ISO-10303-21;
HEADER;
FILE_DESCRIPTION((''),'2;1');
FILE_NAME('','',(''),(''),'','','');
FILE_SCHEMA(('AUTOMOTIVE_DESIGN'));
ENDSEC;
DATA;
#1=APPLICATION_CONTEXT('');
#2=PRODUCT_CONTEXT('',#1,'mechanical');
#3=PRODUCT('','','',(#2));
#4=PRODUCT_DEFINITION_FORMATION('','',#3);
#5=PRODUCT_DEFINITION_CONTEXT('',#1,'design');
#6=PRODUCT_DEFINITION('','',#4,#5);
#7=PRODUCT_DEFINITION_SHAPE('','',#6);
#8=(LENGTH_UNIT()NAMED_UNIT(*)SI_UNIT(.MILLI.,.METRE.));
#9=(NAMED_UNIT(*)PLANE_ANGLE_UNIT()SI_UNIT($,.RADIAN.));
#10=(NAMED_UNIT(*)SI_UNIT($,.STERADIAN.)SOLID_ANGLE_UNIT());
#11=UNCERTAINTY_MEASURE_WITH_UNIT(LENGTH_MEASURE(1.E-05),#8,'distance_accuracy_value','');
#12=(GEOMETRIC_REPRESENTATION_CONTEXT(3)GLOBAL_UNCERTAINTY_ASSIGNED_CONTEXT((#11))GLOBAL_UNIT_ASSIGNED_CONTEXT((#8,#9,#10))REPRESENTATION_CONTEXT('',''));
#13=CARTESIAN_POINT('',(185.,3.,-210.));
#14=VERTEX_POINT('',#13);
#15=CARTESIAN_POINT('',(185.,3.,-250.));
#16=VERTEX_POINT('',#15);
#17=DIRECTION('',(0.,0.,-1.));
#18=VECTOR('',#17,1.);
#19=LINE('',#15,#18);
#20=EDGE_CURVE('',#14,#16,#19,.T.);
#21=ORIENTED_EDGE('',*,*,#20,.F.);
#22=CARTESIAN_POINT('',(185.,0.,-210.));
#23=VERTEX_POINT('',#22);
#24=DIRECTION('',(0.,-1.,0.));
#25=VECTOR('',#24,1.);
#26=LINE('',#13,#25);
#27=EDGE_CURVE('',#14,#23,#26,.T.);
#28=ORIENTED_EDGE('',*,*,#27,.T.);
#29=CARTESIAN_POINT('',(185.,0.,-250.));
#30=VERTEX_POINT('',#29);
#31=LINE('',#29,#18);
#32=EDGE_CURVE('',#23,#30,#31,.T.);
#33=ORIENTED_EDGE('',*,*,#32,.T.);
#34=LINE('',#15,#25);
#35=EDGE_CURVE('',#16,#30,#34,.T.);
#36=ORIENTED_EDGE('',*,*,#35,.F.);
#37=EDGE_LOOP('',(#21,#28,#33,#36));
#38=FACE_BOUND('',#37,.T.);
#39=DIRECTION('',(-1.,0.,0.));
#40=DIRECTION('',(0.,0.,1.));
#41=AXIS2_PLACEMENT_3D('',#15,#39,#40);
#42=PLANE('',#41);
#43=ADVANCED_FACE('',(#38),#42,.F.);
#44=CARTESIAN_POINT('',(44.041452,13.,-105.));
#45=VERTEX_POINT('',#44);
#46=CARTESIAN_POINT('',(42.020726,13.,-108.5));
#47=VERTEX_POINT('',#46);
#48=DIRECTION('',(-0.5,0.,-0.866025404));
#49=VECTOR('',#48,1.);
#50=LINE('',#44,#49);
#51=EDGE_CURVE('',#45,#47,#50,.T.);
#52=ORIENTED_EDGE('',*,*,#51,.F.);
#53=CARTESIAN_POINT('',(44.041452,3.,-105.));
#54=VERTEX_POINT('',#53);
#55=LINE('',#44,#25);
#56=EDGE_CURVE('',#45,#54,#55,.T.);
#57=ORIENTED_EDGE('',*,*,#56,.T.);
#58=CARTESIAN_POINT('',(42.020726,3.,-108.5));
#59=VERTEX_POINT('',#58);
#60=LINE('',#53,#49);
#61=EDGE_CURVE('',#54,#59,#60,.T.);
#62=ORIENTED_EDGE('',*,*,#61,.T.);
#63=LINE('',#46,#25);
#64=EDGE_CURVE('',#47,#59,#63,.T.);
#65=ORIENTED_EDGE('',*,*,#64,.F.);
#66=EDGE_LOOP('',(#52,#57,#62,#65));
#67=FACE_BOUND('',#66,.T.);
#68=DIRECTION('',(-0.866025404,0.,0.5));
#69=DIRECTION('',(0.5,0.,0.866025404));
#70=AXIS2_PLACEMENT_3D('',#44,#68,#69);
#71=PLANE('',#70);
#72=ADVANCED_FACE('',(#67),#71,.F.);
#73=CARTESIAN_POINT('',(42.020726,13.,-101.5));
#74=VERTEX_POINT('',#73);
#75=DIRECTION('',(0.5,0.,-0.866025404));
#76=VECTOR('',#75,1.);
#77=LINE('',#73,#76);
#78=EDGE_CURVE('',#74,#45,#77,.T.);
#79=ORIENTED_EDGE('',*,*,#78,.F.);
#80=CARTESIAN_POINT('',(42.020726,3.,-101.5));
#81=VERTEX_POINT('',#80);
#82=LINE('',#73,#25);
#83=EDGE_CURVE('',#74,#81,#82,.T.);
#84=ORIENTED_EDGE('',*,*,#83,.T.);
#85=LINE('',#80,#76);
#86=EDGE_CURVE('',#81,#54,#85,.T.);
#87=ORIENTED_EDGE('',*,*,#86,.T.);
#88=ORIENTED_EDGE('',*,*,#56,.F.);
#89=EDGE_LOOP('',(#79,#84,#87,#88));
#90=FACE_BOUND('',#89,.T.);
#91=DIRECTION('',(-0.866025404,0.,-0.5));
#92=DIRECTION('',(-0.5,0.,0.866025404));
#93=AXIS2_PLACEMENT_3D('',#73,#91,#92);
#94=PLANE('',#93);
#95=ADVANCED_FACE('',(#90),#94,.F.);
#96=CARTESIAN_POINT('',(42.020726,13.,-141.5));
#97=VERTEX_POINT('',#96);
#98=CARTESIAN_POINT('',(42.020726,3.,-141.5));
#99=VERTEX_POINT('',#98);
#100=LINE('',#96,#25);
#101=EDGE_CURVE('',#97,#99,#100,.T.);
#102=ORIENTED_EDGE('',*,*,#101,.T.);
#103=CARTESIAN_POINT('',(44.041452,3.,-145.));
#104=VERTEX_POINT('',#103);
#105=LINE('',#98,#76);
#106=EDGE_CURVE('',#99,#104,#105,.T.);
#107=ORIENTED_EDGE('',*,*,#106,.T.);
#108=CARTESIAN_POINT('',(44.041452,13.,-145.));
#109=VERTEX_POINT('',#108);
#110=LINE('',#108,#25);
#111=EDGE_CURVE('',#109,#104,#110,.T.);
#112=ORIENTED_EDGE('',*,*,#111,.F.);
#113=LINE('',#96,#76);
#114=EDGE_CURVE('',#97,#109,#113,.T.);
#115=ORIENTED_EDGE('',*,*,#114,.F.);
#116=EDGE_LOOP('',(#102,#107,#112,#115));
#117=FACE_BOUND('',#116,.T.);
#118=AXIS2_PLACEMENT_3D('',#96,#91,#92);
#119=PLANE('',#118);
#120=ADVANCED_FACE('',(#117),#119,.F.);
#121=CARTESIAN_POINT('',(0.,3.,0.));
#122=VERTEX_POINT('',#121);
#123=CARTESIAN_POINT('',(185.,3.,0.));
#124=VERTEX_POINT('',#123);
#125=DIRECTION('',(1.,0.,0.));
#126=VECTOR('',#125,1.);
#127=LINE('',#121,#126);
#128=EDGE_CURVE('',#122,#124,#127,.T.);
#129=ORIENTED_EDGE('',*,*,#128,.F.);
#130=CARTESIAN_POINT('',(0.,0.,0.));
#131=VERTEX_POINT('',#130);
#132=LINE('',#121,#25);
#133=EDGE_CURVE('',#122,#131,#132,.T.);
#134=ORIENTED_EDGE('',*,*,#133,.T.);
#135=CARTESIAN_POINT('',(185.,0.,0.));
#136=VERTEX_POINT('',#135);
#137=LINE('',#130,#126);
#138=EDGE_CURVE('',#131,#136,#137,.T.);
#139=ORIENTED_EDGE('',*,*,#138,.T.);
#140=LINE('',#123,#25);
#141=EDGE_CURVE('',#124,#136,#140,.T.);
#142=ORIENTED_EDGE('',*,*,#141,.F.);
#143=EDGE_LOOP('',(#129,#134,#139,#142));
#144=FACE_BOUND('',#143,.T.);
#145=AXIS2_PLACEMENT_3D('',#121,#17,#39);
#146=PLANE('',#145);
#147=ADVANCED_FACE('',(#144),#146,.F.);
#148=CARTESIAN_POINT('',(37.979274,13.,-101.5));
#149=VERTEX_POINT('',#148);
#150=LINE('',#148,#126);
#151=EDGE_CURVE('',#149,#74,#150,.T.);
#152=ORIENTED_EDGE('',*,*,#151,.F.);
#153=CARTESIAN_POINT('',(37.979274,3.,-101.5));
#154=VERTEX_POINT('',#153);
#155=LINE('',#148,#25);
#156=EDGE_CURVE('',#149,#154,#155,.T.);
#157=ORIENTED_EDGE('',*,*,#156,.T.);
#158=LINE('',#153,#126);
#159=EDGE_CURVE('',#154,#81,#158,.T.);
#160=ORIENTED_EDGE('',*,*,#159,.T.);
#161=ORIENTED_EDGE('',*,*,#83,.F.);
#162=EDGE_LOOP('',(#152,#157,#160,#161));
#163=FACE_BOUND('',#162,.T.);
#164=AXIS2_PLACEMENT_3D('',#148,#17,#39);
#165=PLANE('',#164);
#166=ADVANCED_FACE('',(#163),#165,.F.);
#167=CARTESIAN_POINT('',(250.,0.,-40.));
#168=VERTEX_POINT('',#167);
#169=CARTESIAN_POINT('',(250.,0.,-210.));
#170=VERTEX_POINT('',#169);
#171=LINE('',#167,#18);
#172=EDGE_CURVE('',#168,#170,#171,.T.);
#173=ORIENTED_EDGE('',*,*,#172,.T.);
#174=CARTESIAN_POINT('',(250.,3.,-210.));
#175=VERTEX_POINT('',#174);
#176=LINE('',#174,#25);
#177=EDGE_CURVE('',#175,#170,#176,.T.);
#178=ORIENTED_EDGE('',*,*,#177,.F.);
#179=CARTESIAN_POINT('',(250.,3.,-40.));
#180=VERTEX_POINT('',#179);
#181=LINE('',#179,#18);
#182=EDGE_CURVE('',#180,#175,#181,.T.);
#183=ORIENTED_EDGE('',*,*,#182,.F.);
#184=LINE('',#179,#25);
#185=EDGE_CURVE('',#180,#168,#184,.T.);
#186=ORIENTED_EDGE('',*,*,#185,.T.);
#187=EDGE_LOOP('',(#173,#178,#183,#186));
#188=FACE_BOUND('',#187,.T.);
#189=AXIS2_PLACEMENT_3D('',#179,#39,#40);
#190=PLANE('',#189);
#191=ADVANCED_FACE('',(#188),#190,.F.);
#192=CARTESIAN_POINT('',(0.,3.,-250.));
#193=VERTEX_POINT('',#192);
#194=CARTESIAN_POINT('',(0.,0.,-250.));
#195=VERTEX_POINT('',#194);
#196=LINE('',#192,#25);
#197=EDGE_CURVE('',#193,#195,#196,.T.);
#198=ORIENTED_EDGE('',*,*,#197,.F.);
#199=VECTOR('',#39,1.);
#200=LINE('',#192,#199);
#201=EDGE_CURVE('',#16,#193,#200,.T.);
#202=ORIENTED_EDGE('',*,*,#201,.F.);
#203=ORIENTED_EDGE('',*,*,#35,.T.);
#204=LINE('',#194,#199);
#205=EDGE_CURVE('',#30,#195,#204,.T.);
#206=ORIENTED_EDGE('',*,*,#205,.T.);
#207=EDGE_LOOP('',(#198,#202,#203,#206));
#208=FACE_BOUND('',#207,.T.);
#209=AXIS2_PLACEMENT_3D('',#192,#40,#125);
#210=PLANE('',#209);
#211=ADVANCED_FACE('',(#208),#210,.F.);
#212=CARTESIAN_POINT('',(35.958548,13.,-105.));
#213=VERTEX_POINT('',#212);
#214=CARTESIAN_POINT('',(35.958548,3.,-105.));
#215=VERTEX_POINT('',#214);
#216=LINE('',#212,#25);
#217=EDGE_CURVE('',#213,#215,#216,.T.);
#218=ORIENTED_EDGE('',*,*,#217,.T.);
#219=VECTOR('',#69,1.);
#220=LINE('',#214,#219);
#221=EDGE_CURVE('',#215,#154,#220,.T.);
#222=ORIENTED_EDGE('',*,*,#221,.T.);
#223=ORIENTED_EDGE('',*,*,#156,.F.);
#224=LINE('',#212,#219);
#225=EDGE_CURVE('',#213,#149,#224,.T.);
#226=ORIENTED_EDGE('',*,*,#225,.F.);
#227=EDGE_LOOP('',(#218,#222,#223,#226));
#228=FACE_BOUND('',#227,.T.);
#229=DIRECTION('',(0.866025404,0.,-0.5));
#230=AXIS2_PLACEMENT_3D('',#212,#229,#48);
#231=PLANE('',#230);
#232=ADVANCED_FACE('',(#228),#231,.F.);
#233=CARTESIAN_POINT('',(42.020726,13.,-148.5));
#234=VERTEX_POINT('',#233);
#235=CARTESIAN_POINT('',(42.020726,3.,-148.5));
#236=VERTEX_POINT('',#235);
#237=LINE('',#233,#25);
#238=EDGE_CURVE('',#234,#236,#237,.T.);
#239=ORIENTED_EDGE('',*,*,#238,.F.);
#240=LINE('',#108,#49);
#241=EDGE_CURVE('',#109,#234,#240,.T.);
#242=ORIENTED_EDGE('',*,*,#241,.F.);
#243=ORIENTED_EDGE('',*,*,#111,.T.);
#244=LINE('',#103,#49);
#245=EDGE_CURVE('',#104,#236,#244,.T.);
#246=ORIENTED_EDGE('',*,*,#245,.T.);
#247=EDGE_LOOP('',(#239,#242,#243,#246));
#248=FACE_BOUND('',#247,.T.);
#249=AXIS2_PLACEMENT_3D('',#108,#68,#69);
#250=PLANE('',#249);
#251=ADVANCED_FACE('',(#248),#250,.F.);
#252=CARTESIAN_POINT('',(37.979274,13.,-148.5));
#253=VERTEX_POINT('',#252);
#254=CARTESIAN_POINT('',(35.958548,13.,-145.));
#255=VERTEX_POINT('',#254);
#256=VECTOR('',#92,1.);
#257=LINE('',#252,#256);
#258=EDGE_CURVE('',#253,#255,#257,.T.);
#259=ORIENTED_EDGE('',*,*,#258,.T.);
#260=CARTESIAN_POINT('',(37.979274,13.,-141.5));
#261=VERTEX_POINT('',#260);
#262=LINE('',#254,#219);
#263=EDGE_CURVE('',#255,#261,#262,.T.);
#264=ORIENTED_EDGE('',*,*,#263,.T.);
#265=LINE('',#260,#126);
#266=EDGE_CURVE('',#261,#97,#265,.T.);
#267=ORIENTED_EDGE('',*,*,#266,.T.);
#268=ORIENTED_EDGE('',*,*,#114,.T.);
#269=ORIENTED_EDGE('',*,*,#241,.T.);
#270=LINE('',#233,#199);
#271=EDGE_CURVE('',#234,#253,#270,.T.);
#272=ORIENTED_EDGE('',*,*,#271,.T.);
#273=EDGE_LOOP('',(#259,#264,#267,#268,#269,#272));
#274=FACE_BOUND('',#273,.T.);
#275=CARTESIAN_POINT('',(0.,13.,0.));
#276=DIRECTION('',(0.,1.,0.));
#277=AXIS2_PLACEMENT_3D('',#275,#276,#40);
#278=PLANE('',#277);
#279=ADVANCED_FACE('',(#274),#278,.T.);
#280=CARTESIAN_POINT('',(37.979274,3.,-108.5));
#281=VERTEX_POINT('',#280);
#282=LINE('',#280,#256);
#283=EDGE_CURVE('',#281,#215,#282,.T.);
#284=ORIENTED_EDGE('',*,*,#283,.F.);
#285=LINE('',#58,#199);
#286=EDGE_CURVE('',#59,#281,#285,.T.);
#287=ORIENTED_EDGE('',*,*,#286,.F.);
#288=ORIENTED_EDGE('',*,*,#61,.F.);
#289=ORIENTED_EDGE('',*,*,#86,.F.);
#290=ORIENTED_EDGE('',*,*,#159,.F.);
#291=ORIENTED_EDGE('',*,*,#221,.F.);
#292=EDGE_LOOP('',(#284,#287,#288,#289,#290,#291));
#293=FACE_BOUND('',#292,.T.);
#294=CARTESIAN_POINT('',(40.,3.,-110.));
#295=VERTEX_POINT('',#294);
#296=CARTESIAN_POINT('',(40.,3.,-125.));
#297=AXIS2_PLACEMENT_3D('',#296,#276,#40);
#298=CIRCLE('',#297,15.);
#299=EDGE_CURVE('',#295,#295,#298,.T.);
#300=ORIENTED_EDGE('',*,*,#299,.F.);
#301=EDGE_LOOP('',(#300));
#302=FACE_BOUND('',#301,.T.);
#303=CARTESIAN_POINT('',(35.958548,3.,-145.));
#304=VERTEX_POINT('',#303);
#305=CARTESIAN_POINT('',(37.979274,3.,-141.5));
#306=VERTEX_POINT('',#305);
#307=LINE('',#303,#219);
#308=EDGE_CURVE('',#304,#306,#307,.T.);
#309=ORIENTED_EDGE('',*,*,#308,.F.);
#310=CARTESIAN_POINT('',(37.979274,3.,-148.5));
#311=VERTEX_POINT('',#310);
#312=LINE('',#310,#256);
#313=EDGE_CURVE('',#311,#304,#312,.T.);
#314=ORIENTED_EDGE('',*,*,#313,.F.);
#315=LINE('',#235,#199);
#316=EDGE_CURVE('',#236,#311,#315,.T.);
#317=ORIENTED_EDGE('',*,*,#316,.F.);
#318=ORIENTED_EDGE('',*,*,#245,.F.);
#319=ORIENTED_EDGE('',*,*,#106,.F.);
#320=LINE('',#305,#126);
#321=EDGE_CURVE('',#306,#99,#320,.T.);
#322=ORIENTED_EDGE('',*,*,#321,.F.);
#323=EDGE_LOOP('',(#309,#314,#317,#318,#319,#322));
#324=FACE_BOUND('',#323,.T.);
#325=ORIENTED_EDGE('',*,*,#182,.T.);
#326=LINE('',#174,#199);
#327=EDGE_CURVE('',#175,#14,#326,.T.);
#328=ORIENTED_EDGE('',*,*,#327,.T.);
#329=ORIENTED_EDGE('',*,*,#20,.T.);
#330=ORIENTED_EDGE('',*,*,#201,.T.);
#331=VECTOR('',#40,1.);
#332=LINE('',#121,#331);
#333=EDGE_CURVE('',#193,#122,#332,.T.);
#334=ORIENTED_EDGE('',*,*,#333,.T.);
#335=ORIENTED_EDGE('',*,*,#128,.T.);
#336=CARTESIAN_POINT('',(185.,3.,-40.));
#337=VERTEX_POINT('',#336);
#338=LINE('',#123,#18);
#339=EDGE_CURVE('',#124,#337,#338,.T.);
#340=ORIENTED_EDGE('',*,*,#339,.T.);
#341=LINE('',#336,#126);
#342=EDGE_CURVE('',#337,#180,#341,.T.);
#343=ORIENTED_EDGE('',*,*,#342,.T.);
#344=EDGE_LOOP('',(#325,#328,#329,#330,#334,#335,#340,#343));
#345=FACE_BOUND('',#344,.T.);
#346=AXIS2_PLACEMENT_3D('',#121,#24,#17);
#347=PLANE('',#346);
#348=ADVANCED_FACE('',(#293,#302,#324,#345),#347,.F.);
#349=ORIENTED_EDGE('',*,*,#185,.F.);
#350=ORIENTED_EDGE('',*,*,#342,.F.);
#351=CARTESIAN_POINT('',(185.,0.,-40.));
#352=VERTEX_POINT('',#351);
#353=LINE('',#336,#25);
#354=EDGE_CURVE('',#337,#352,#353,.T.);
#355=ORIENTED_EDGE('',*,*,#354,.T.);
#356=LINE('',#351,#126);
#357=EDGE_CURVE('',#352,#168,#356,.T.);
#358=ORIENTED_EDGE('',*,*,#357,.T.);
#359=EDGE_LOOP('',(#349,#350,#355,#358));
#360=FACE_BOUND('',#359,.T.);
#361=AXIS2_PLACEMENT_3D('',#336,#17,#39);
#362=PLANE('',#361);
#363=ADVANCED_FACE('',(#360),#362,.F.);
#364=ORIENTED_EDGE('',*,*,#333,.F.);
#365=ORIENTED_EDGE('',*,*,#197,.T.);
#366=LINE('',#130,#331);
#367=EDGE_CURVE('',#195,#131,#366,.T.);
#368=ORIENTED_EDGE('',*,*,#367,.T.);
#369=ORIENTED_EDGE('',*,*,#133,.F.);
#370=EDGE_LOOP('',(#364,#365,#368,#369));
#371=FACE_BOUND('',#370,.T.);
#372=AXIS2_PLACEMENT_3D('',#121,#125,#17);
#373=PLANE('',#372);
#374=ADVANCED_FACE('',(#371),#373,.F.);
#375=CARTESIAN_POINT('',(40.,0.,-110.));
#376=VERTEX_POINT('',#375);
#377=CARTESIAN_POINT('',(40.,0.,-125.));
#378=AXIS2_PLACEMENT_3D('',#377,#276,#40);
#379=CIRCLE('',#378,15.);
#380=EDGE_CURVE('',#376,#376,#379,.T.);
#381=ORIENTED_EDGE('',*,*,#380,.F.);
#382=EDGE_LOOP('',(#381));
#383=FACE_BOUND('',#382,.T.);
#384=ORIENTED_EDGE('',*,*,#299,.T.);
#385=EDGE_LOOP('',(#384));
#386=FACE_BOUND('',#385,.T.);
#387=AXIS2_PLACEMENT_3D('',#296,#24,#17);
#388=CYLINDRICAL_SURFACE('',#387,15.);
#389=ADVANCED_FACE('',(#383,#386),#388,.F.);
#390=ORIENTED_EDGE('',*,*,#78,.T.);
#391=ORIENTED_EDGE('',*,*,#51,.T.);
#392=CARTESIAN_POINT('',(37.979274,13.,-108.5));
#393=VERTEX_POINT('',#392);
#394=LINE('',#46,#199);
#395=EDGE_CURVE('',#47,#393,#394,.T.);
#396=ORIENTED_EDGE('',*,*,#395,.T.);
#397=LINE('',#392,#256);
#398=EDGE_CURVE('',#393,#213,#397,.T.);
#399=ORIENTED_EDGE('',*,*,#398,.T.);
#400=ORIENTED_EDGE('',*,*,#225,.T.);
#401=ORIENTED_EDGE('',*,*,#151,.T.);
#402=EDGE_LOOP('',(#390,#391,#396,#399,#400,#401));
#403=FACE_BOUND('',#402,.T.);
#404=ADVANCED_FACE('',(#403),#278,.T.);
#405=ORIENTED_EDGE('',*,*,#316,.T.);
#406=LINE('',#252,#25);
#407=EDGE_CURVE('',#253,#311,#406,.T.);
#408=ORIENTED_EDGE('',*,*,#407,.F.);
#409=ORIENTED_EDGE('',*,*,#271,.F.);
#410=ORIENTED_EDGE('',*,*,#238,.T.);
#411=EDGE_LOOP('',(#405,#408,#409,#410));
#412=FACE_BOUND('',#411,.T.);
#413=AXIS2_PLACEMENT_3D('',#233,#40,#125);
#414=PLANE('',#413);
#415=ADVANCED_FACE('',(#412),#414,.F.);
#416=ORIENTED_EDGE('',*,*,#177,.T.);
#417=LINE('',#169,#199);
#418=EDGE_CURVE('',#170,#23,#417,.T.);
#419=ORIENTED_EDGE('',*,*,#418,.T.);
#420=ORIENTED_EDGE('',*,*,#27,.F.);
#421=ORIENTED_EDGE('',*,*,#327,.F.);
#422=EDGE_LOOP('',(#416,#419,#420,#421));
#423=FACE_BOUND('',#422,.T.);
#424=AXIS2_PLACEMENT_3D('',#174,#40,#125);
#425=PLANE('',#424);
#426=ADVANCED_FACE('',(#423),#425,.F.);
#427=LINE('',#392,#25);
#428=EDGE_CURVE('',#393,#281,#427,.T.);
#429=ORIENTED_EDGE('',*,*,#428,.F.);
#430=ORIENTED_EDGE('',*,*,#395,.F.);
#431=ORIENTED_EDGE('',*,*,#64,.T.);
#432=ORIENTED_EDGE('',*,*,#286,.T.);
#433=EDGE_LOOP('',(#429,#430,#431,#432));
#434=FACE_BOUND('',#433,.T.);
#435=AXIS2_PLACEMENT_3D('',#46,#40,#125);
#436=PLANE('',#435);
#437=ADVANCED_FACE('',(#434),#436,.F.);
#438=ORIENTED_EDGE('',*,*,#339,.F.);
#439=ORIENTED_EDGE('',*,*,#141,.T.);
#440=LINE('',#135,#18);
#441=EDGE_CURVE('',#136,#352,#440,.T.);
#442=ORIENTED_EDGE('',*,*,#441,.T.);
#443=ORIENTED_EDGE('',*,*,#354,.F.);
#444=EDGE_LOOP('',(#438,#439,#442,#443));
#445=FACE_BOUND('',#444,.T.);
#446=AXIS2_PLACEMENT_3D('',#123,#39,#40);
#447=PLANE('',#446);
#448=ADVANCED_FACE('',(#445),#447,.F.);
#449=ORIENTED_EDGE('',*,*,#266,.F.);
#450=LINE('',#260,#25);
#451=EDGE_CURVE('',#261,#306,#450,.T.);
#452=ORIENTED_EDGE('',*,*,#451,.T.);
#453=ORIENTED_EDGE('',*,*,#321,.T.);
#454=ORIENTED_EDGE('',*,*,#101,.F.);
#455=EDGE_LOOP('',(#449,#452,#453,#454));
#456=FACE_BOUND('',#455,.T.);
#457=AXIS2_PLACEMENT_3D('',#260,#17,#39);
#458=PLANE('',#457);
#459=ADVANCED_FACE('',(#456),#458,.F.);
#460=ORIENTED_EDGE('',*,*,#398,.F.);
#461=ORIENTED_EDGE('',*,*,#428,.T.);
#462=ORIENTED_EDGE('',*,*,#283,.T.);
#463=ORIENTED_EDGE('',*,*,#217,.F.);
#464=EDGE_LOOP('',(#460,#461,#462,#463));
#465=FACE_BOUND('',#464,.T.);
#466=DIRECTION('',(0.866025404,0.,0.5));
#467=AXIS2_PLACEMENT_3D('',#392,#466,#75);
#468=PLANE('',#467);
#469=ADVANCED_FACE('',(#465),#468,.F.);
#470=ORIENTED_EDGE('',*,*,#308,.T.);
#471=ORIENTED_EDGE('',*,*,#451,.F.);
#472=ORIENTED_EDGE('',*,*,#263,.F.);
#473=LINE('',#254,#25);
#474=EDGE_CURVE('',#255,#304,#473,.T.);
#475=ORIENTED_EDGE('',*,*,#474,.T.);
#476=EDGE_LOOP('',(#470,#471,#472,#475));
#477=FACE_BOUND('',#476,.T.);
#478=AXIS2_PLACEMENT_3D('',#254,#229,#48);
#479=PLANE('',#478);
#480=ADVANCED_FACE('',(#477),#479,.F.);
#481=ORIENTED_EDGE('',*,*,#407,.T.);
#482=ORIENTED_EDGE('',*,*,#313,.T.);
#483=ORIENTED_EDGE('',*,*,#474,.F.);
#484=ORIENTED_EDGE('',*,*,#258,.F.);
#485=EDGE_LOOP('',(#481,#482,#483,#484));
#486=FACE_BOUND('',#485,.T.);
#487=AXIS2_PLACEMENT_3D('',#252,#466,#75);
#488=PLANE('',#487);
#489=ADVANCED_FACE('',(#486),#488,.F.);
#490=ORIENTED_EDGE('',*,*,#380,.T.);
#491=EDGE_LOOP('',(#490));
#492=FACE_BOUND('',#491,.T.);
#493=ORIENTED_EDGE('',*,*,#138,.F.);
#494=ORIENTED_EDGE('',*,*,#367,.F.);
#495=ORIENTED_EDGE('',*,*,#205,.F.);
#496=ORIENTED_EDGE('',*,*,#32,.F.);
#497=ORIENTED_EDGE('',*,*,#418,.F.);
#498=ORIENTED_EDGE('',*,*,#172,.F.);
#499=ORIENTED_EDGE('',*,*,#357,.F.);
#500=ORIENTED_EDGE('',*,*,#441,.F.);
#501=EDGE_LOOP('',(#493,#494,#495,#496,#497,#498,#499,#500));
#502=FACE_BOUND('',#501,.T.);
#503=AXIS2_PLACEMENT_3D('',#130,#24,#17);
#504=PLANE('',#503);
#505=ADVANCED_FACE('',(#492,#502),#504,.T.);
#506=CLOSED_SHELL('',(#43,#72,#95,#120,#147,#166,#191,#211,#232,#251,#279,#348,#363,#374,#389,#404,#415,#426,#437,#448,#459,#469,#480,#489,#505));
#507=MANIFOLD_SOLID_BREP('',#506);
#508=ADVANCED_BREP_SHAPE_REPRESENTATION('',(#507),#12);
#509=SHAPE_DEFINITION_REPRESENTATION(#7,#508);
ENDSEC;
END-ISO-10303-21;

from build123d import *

# Parameters (mm, degrees)
SKETCH1_R           = 15
BOSS_EXTRUDE2_DEPTH = 3
BOSS_EXTRUDE3_DEPTH = 10


with BuildPart() as part:
    # Sketch1 → Boss-Extrude2 (new body)
    with BuildSketch(Plane(origin=(0, 0, 0), x_dir=(1, 0, 0), z_dir=(0, 1, 0))):
        Polygon((0, 0), (185, 0), (185, 40), (250, 40), (250, 210), (185, 210), (185, 250), (0, 250), align=None)
        with Locations(Location((40, 125, 0), (0, 0, 270))):
            Circle(SKETCH1_R, mode=Mode.SUBTRACT)
    extrude(amount=BOSS_EXTRUDE2_DEPTH)

    # Sketch2 → Boss-Extrude3 (add)
    with BuildSketch(Plane(origin=(0, 3, 0), x_dir=(1, 0, 0), z_dir=(0, 1, 0))):
        Polygon((44.041451884, 145), (42.020725942, 148.5), (37.979274058, 148.5), (35.958548116, 145), (37.979274058, 141.5), (42.020725942, 141.5), align=None)
        Polygon((44.041451884, 105), (42.020725942, 108.5), (37.979274058, 108.5), (35.958548116, 105), (37.979274058, 101.5), (42.020725942, 101.5), align=None)
    extrude(amount=BOSS_EXTRUDE3_DEPTH)


solid = part.part
